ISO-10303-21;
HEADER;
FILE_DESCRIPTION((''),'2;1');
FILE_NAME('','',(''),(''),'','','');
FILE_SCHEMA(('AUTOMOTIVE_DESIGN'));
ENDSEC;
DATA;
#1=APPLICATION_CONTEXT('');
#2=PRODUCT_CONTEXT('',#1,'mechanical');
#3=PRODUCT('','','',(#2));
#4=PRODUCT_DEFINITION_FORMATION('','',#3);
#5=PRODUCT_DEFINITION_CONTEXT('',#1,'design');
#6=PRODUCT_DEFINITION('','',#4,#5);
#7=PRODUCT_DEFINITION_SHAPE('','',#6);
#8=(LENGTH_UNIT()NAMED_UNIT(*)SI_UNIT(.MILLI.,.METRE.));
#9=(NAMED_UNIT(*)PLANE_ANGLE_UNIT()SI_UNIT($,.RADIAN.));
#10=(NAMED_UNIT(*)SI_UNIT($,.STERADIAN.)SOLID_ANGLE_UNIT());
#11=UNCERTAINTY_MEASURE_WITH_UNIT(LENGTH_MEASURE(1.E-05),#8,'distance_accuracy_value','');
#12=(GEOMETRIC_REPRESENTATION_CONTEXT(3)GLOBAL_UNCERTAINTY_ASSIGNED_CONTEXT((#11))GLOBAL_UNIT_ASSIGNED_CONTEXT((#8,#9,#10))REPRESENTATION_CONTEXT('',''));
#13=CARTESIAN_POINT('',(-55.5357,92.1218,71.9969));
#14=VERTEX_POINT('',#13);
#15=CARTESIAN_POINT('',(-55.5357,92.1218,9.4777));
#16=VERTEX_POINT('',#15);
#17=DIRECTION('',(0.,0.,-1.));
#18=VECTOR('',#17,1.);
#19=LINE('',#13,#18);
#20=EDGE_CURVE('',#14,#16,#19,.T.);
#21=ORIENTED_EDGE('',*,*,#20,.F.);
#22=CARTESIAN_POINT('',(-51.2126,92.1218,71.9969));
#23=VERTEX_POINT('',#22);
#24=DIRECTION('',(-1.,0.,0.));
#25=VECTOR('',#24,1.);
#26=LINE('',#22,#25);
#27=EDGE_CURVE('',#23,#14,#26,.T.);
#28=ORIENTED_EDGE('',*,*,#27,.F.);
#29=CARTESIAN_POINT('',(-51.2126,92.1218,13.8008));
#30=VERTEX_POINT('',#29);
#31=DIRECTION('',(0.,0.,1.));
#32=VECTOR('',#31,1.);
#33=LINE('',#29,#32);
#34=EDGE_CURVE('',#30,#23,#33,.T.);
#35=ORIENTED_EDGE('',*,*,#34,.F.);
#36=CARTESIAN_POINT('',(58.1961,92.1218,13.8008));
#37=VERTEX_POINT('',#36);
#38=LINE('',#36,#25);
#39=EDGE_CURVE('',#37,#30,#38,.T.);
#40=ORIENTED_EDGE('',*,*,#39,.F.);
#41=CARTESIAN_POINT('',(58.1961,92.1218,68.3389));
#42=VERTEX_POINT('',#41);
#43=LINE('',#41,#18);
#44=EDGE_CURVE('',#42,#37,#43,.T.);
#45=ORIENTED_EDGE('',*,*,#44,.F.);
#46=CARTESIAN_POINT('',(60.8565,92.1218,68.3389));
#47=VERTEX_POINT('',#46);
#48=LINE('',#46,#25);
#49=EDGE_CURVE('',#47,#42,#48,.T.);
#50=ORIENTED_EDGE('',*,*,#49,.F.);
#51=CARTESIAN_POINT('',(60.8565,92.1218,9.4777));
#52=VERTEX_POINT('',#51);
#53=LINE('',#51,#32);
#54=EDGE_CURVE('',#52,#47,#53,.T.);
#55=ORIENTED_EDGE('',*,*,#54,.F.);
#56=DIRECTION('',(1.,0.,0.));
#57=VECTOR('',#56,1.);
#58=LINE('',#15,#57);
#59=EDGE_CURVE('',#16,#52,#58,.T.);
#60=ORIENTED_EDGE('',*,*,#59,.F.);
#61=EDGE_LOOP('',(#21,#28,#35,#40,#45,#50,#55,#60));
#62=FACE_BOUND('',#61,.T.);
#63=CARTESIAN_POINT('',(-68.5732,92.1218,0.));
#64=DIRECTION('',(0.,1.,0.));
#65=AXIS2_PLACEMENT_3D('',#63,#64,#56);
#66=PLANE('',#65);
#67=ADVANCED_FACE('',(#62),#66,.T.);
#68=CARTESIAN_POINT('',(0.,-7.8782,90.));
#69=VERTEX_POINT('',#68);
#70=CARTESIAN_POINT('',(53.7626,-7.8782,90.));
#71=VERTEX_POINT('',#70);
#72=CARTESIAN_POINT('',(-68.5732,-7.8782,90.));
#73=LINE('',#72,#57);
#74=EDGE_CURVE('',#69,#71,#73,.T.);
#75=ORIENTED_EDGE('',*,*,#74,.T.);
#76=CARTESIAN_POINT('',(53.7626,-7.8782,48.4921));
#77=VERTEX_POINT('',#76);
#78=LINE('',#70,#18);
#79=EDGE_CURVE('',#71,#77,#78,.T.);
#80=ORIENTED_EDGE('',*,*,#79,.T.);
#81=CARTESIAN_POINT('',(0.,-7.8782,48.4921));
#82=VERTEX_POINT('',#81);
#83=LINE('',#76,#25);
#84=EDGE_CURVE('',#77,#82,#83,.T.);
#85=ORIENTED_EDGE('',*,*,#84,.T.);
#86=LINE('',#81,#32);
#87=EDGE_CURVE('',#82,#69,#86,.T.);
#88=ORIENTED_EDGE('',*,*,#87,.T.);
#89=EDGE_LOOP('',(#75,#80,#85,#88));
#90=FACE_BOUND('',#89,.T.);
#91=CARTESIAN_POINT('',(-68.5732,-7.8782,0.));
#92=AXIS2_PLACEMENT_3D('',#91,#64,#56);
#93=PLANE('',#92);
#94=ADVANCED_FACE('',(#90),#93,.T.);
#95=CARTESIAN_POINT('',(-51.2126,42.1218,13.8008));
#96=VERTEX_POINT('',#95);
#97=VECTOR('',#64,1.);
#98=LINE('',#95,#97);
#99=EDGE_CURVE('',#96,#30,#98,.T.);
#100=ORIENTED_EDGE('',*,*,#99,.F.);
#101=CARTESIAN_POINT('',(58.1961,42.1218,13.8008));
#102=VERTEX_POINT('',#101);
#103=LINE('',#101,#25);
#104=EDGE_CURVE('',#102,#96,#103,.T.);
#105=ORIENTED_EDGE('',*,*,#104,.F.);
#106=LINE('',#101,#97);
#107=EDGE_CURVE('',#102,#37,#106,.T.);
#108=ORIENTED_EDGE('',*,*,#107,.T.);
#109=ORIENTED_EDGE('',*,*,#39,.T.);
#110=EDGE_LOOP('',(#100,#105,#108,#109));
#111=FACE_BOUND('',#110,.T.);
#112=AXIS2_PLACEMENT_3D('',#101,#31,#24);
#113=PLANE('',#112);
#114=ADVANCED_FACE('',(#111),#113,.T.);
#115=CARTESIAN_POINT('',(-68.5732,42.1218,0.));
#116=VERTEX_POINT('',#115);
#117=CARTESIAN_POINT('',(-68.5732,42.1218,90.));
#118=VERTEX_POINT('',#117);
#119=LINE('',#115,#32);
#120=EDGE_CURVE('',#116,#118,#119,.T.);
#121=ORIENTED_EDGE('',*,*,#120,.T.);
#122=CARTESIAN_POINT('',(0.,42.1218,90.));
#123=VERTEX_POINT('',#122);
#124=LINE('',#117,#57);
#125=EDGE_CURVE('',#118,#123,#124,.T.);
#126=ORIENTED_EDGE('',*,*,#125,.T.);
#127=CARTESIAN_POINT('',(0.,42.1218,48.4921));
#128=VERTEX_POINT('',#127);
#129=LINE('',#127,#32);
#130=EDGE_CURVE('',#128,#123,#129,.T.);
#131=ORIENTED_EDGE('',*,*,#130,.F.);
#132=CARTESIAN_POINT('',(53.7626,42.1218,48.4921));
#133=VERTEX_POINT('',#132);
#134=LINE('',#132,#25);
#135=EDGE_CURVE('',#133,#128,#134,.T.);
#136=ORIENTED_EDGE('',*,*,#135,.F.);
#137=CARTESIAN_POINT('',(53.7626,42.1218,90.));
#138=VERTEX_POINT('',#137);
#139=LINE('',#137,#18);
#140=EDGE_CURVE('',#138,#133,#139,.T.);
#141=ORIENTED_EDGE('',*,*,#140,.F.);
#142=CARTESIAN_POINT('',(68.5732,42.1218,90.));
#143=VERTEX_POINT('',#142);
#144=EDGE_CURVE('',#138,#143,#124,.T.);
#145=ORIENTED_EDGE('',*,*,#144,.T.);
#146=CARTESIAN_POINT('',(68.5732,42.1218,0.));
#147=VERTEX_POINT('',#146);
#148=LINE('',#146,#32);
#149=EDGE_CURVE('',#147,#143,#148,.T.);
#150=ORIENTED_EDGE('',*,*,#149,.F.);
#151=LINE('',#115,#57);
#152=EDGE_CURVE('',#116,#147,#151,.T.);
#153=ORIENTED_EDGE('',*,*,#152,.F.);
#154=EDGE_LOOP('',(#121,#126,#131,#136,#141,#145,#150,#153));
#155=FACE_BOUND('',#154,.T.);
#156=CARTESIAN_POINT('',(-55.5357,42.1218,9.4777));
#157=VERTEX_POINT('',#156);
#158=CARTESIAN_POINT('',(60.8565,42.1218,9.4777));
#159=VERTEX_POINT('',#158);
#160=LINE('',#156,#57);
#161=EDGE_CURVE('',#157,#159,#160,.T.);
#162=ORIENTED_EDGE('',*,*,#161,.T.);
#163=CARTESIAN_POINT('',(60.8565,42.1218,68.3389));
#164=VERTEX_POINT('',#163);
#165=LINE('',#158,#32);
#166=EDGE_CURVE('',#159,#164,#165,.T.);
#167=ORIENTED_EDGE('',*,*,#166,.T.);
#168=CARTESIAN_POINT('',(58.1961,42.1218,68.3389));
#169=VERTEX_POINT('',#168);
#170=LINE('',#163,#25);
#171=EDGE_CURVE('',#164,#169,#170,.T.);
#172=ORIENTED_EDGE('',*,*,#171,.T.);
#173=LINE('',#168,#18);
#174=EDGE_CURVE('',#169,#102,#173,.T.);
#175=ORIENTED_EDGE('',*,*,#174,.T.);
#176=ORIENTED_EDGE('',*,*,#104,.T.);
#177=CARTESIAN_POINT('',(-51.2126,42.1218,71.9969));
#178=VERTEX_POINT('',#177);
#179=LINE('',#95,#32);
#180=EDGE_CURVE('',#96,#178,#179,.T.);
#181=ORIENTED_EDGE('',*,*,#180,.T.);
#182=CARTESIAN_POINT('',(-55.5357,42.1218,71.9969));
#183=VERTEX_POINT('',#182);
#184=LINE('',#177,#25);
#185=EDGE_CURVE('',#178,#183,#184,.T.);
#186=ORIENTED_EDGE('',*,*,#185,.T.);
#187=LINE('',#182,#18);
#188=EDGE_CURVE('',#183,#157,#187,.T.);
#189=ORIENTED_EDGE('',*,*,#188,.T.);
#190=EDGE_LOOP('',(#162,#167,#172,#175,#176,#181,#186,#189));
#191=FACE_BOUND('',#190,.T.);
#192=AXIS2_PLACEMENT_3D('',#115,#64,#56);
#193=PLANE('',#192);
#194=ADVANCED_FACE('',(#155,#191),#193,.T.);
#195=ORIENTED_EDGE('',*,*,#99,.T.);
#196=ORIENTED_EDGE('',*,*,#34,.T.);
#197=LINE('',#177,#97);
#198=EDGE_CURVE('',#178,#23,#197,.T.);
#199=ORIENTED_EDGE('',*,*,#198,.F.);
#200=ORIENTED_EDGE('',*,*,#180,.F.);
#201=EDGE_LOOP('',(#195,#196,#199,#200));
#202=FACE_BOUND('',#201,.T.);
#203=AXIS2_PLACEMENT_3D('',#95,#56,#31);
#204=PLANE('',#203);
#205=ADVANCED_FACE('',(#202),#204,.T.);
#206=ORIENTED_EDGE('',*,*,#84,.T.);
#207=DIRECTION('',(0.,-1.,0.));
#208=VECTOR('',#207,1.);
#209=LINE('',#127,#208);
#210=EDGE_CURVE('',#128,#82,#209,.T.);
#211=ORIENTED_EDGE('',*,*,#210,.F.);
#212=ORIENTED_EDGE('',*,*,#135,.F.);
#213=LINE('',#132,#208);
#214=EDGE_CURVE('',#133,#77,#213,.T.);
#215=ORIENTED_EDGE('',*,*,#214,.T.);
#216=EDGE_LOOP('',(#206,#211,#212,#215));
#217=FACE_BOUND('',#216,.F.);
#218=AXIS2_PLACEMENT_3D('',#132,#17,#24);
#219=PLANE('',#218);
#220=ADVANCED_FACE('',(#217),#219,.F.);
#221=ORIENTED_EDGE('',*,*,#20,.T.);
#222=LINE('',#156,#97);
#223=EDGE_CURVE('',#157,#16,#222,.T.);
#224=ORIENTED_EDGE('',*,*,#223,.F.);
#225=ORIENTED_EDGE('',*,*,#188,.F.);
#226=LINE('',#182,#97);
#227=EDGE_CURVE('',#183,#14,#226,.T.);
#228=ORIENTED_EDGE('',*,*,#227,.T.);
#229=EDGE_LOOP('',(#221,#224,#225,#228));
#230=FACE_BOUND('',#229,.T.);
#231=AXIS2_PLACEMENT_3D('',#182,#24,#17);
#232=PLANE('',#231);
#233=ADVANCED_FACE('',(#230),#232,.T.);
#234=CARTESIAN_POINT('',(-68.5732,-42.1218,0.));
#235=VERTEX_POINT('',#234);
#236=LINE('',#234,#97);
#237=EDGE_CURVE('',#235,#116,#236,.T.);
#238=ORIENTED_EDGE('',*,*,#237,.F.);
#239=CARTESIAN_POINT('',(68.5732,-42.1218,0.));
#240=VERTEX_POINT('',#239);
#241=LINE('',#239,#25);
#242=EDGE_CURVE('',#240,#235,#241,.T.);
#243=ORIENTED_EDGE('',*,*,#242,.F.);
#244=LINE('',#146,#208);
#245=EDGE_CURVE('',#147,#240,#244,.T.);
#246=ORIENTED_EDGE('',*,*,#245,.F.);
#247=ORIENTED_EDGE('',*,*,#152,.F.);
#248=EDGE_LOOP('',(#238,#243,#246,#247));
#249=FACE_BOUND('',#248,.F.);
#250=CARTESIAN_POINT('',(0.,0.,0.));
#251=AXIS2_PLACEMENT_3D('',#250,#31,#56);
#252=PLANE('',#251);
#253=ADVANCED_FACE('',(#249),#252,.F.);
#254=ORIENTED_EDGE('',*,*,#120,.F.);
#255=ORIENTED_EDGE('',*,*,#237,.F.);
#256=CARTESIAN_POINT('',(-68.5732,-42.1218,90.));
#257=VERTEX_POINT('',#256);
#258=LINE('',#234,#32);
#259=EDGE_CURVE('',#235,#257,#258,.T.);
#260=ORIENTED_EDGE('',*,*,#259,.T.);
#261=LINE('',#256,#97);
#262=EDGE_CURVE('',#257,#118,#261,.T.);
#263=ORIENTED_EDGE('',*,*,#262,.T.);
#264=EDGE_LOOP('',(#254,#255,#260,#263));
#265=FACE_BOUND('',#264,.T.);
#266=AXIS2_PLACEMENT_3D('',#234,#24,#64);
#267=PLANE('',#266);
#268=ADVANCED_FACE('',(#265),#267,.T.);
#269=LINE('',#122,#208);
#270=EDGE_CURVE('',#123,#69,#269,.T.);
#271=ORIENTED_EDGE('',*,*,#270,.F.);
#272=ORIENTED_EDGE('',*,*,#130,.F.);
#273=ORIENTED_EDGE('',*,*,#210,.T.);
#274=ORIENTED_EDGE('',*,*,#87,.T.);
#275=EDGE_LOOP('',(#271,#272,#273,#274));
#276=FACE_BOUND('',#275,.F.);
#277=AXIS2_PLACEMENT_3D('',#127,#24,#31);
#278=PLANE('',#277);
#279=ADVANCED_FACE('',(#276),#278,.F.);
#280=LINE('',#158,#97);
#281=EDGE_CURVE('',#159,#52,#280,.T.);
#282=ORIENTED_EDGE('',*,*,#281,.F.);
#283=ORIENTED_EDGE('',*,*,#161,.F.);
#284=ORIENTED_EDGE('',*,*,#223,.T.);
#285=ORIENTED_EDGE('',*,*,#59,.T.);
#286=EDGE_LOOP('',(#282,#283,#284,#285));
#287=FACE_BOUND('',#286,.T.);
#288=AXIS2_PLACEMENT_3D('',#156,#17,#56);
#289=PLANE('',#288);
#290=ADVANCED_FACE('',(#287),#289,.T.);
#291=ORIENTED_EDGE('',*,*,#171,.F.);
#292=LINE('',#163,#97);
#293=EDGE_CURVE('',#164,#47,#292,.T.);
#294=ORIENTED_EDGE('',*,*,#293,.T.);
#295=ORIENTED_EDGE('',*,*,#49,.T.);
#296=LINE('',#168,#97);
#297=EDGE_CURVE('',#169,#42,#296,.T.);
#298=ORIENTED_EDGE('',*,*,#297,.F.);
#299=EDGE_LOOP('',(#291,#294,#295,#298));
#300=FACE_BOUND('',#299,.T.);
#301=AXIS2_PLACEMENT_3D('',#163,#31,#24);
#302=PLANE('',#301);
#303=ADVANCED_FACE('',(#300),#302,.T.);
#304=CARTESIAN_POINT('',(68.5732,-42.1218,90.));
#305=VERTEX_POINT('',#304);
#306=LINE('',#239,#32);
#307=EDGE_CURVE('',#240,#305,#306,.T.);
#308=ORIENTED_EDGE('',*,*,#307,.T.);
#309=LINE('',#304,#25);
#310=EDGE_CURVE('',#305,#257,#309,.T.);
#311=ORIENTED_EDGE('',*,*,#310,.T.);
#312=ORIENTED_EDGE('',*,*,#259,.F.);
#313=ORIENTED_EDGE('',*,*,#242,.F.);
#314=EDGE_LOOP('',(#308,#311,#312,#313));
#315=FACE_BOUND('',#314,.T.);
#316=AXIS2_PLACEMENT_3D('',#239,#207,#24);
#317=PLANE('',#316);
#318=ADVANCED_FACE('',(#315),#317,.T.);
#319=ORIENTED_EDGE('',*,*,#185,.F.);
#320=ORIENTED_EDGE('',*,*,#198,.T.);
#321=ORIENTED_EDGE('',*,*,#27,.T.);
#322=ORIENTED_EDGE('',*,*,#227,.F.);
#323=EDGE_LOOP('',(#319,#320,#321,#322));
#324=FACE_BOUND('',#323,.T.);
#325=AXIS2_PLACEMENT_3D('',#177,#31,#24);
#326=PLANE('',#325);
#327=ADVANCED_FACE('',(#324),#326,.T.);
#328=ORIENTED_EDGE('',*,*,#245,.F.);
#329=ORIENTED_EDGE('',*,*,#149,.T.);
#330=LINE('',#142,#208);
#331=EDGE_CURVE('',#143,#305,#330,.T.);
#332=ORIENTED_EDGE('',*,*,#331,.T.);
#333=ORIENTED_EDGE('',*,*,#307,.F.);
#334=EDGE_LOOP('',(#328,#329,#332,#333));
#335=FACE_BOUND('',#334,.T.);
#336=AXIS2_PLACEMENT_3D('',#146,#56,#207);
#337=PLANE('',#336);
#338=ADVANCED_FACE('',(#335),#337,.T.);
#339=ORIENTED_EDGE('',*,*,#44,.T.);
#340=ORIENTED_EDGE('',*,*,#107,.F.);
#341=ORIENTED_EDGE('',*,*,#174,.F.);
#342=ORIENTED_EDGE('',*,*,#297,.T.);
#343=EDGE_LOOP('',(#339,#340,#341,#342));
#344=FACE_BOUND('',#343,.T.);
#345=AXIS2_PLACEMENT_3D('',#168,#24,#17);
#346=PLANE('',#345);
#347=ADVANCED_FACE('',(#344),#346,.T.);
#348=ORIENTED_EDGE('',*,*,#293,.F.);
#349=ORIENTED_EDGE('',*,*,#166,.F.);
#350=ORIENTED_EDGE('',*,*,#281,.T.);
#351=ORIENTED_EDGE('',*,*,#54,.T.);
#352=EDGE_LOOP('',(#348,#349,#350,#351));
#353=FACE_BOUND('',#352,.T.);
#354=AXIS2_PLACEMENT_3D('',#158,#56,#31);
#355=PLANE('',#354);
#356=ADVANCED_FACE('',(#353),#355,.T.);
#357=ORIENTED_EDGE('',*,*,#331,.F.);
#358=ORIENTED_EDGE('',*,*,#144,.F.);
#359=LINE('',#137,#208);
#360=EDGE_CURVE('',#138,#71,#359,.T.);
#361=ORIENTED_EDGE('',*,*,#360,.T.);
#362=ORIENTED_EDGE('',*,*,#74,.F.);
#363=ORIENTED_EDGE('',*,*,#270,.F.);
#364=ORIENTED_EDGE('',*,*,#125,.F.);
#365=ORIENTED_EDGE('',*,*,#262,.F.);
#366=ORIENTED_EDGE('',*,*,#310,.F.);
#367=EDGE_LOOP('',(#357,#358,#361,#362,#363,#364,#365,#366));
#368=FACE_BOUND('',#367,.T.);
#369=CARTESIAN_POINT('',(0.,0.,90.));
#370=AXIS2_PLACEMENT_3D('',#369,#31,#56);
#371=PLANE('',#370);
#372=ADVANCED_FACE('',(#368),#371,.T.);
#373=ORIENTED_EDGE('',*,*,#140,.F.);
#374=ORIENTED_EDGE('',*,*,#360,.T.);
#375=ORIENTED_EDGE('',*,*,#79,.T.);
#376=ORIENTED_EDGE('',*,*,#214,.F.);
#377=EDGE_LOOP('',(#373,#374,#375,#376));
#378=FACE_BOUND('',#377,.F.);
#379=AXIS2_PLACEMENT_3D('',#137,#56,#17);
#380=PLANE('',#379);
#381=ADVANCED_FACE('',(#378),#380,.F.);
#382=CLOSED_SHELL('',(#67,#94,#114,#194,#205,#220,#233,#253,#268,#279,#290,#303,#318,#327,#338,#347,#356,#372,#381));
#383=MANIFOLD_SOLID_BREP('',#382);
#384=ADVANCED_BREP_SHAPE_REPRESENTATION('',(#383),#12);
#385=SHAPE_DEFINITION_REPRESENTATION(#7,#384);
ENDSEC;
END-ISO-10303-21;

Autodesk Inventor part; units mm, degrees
ref_plane "YZ Plane" through (0, 0, 0) normal (1, 0, 0) x (0, 1, 0)
ref_plane "XZ Plane" through (0, 0, 0) normal (0, 1, 0) x (-1, 0, 0)
ref_plane "XY Plane" through (0, 0, 0) normal (0, 0, 1) x (1, 0, 0)
sketch "스케치1" plane through (0, 0, 0) normal (0, 0, 1) x (1, 0, 0)
  line L0 (68.5732, -42.1218) -> (-68.5732, -42.1218)
  line L1 (-68.5732, -42.1218) -> (-68.5732, 42.1218)
  line L2 (-68.5732, 42.1218) -> (68.5732, 42.1218)
  line L3 (68.5732, 42.1218) -> (68.5732, -42.1218)
  line L4 (68.5732, -42.1218) -> (-68.5732, 42.1218) construction
  line L5 (-68.5732, -42.1218) -> (68.5732, 42.1218) construction
  point P0 (0, 0)
extrude "돌출1" add sketch "스케치1" along normal blind 90
sketch "스케치2" plane through (-68.5732, 42.1218, 0) normal (0, 1, 0) x (1, 0, 0)
  line L0 (0, -90) -> (137.1464, -90) projected
  line L1 (68.5732, -90) -> (122.3358, -90)
  line L2 (122.3358, -90) -> (122.3358, -48.4921)
  line L3 (122.3358, -48.4921) -> (68.5732, -48.4921)
  line L4 (68.5732, -48.4921) -> (68.5732, -90)
  point P0 (68.5732, 0)
extrude "돌출2" cut sketch "스케치2" against normal blind 50
sketch "스케치3" plane through (-68.5732, 42.1218, 0) normal (0, 1, 0) x (1, 0, 0)
  line L0 (13.0375, -71.9969) -> (13.0375, -9.4777)
  line L1 (13.0375, -9.4777) -> (129.4297, -9.4777)
  line L2 (129.4297, -9.4777) -> (129.4297, -68.3389)
  line L3 (129.4297, -68.3389) -> (126.7693, -68.3389)
  line L4 (126.7693, -68.3389) -> (126.7693, -13.8008)
  line L5 (126.7693, -13.8008) -> (17.3606, -13.8008)
  line L6 (17.3606, -13.8008) -> (17.3606, -71.9969)
  line L7 (17.3606, -71.9969) -> (13.0375, -71.9969)
  point P0 (68.5732, 0)
extrude "돌출3" add sketch "스케치3" along normal blind 50
properties part number "240503_3Dsketch02"
